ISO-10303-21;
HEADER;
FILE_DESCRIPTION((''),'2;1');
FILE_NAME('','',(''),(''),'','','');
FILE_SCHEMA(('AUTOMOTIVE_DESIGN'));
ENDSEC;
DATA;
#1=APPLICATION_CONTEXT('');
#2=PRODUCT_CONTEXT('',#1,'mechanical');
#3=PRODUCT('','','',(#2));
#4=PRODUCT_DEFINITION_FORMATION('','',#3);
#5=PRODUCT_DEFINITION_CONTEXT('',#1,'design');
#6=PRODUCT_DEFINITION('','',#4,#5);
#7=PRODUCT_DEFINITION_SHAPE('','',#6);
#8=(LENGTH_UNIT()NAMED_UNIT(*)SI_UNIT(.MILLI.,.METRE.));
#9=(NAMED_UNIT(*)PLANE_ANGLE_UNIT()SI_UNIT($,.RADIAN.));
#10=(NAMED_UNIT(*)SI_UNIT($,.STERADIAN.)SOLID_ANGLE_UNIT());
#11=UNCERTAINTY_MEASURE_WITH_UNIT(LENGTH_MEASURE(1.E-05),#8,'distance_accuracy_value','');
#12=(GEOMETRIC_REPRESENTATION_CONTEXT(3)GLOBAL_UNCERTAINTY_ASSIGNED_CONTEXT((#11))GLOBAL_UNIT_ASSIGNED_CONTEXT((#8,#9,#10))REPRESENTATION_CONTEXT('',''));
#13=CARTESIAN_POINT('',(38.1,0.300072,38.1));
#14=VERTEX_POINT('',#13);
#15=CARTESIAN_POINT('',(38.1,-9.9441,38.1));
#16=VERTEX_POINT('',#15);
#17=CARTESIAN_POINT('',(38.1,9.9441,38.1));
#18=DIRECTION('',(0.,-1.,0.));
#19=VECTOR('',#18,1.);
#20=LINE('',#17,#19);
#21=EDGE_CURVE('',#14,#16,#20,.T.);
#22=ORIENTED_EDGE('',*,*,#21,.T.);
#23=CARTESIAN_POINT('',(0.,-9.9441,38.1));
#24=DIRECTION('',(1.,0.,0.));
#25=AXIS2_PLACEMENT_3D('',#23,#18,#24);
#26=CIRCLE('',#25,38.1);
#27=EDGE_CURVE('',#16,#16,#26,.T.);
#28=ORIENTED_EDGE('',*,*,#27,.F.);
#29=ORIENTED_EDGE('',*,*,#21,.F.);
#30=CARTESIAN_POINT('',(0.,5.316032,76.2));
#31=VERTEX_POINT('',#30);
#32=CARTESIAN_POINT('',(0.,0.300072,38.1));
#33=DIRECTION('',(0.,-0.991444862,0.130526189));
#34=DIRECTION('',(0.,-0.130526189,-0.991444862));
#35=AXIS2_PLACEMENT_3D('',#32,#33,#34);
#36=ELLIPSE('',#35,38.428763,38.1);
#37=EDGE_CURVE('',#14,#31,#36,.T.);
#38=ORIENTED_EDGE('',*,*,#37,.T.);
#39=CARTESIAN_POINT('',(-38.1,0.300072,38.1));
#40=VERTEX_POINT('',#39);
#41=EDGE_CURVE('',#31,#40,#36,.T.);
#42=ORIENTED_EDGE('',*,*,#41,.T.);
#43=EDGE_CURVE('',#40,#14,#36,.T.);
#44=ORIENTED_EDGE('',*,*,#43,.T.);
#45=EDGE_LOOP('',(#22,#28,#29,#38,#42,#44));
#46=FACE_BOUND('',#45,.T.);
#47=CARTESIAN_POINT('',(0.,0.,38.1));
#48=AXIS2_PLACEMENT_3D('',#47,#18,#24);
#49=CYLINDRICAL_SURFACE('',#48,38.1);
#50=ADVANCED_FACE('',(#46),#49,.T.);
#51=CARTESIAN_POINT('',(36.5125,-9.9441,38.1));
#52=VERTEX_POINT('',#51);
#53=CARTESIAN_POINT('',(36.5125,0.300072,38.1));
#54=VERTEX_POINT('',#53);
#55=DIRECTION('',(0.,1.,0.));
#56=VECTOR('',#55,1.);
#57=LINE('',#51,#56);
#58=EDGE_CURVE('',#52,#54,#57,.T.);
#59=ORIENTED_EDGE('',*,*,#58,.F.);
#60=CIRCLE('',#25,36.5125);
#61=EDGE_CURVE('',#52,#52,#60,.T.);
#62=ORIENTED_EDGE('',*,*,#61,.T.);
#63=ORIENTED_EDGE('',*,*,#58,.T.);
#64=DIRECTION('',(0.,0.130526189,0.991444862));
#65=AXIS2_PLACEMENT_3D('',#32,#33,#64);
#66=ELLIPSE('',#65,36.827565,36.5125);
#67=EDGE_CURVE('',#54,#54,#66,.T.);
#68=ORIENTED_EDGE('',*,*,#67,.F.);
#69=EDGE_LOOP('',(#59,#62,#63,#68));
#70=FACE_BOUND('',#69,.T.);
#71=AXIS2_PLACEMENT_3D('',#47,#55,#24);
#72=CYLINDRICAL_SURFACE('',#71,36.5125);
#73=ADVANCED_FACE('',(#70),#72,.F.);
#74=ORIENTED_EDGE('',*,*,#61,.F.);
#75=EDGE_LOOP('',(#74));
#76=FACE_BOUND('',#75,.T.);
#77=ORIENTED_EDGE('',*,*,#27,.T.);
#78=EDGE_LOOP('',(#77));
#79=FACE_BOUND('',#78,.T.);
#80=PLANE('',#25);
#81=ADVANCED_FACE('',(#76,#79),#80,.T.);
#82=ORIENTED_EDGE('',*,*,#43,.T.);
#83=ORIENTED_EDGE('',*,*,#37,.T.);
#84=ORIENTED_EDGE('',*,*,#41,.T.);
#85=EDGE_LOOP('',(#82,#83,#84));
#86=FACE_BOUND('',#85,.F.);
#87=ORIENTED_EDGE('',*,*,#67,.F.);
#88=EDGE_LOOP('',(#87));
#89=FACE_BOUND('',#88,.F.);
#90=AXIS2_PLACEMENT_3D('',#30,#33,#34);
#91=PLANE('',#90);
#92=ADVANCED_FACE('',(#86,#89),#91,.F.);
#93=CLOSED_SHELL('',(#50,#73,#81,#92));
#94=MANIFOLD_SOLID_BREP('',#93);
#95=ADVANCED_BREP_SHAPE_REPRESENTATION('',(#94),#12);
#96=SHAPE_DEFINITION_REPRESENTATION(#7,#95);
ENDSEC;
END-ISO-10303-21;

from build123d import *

# Parameters (mm, degrees)
F0_R     = 38.1
F0_R_2   = 36.5125
F1_DEPTH = 9.9441
F3_DEPTH = 38.1


with BuildPart() as f1:
    # F0 (on Front) → F1 (new body, symmetric)
    with BuildSketch(Plane.XZ):
        with Locations((0, 38.1)):
            Circle(F0_R)
        with Locations((0, 38.1)):
            Circle(F0_R_2, mode=Mode.SUBTRACT)
    extrude(amount=F1_DEPTH, both=True)

    # F2 (on Right) → F3 (cut, symmetric)
    with BuildSketch(Plane.YZ):
        Polygon((10.787756, 76.2), (5.316032, 76.2), (-5.941928, -9.312698), (10.787756, -9.312698), align=None)
    extrude(amount=F3_DEPTH, both=True, mode=Mode.SUBTRACT)


solid = f1.part
